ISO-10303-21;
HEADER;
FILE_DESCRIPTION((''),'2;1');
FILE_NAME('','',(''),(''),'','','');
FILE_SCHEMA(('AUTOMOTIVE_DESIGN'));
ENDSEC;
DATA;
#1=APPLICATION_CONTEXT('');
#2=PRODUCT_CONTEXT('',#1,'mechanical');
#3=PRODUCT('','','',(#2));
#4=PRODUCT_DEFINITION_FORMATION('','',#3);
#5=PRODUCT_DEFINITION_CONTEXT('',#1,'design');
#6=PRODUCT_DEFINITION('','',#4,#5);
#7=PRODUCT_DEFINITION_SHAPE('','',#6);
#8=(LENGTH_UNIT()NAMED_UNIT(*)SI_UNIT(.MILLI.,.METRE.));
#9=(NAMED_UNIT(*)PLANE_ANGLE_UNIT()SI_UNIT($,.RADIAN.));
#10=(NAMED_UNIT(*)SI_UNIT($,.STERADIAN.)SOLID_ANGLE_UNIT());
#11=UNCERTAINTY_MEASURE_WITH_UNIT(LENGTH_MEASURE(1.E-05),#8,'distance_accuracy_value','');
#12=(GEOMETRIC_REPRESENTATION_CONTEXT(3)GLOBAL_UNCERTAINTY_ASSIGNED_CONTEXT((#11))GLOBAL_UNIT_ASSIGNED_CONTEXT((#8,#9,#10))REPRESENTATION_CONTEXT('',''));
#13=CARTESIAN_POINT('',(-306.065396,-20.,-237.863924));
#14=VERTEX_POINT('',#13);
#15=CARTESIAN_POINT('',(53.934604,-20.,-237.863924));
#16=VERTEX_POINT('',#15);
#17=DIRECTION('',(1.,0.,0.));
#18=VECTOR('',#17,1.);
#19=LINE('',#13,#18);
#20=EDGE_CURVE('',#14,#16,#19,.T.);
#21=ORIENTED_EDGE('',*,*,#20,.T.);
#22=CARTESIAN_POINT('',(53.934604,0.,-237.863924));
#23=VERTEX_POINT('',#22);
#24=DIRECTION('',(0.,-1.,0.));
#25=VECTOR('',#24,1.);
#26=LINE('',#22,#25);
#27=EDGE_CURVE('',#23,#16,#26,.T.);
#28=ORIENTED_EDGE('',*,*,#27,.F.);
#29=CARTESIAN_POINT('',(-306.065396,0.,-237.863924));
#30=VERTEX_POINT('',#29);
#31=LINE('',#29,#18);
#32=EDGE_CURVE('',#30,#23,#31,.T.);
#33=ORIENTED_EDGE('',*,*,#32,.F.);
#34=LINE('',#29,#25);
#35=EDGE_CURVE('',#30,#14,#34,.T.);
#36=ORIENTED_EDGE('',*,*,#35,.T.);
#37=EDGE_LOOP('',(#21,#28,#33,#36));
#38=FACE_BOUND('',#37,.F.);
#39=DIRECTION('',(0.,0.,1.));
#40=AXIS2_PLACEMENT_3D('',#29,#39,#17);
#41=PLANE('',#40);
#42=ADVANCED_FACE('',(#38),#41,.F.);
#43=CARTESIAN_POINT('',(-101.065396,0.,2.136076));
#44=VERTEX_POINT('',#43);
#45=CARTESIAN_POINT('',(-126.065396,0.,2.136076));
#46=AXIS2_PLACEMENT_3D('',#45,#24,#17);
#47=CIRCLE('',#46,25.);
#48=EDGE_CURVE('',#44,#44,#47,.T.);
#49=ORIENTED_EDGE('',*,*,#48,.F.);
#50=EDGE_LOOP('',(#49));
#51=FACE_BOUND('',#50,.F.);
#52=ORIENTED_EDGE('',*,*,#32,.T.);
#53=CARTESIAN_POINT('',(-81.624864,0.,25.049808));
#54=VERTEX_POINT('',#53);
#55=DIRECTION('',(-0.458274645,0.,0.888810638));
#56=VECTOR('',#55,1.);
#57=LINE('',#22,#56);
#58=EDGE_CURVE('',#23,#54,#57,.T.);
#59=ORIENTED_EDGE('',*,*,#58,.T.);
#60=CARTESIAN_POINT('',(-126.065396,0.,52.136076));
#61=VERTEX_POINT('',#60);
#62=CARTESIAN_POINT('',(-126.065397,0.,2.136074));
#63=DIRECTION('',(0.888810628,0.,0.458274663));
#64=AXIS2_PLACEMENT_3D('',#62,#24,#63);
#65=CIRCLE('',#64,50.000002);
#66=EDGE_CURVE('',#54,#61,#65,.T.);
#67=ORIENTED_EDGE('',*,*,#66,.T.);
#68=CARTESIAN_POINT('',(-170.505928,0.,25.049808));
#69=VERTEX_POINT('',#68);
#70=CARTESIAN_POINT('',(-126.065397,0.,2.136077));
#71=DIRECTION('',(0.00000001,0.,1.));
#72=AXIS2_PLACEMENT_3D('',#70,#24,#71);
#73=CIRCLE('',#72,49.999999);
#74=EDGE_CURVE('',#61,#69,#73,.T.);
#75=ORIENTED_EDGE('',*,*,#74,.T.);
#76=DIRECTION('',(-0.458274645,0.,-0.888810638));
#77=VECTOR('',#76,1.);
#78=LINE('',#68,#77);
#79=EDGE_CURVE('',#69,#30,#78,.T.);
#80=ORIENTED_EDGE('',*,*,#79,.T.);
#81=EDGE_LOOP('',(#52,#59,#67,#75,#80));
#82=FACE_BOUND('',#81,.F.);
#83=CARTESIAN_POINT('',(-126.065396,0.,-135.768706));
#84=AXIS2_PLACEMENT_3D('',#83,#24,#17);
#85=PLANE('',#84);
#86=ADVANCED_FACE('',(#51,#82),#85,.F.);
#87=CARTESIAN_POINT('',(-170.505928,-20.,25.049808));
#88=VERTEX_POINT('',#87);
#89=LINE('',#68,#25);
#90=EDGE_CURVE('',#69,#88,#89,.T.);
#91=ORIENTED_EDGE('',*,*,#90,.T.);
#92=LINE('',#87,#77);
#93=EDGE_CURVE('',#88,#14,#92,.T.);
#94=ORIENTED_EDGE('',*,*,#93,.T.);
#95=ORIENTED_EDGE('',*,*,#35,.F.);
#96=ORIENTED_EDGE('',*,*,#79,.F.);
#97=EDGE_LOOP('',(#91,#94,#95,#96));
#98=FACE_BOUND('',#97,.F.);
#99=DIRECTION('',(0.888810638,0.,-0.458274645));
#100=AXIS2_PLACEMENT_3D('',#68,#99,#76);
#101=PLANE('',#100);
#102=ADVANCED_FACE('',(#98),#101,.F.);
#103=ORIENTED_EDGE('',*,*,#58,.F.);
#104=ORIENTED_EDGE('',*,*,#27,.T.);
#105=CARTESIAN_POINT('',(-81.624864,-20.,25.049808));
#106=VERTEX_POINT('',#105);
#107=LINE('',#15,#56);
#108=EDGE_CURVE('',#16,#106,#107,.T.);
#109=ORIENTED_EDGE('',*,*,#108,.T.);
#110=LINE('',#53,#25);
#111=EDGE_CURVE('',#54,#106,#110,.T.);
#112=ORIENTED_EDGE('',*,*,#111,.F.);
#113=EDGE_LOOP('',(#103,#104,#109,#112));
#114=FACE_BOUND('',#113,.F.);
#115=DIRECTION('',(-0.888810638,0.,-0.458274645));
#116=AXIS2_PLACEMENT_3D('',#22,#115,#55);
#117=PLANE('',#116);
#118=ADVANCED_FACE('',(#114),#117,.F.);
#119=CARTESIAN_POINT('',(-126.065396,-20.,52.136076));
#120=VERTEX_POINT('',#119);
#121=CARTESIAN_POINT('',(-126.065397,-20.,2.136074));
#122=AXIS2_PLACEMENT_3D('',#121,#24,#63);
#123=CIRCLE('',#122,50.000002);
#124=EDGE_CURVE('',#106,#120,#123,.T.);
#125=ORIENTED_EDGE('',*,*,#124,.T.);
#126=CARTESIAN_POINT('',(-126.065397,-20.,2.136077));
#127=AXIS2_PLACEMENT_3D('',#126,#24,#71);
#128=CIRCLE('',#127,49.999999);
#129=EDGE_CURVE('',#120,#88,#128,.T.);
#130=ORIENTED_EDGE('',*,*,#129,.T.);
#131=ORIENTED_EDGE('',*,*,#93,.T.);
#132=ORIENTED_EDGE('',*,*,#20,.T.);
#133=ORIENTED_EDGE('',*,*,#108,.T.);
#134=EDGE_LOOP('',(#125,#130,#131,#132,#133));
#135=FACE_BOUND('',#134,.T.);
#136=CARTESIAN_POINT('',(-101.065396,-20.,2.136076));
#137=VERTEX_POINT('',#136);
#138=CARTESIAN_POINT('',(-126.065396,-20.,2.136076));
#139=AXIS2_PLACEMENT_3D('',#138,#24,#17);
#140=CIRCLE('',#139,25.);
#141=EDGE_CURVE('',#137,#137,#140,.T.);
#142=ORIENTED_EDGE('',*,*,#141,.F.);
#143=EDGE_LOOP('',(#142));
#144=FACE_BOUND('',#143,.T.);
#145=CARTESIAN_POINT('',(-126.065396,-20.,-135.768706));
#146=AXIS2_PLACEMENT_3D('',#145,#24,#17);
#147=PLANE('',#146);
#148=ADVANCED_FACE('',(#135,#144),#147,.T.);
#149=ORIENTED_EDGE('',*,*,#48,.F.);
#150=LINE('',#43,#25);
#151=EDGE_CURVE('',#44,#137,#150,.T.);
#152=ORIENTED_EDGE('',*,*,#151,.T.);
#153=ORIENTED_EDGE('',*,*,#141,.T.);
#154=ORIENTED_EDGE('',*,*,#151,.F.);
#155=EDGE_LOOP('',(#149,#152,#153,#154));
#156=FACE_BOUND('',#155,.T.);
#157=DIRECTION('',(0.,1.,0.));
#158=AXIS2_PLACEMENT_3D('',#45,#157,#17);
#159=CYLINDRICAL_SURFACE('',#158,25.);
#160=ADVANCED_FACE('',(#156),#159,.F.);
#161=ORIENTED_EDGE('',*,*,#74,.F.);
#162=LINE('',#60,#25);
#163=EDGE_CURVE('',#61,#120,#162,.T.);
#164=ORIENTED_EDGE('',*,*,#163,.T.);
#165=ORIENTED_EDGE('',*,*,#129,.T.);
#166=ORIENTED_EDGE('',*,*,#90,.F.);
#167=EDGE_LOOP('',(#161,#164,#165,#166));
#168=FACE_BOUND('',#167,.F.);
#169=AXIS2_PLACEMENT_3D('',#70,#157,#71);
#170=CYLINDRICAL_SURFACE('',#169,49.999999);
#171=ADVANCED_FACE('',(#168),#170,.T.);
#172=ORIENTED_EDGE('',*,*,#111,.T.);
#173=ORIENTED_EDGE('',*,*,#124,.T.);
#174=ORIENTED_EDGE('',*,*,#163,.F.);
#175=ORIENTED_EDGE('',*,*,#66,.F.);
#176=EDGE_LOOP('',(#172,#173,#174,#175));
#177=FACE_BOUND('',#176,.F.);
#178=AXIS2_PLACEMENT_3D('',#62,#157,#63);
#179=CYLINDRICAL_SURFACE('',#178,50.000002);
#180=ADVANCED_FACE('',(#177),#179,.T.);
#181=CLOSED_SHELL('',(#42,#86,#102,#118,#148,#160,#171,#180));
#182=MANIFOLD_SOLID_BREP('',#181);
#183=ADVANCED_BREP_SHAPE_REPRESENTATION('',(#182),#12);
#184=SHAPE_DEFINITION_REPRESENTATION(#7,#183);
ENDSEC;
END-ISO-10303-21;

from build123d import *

# Parameters (mm, degrees)
F0_R     = 25
F1_DEPTH = 20


with BuildPart() as f1:
    # F0 (on Front) → F1 (new body)
    with BuildSketch(Plane.XZ):
        with BuildLine():
            Line((-126.065396, -237.863924), (53.934604, -237.863924))
            Line((53.934604, -237.863924), (-81.624864, 25.049808))
            ThreePointArc((-81.624864, 25.049808), (-100.043162, 44.830845), (-126.065396, 52.136076))
            ThreePointArc((-126.065396, 52.136076), (-152.087631, 44.830845), (-170.505928, 25.049808))
            Line((-170.505928, 25.049808), (-306.065396, -237.863924))
            Line((-306.065396, -237.863924), (-126.065396, -237.863924))
        make_face()
        with Locations((-126.065396, 2.136076)):
            Circle(F0_R, mode=Mode.SUBTRACT)
    extrude(amount=F1_DEPTH)


solid = f1.part
